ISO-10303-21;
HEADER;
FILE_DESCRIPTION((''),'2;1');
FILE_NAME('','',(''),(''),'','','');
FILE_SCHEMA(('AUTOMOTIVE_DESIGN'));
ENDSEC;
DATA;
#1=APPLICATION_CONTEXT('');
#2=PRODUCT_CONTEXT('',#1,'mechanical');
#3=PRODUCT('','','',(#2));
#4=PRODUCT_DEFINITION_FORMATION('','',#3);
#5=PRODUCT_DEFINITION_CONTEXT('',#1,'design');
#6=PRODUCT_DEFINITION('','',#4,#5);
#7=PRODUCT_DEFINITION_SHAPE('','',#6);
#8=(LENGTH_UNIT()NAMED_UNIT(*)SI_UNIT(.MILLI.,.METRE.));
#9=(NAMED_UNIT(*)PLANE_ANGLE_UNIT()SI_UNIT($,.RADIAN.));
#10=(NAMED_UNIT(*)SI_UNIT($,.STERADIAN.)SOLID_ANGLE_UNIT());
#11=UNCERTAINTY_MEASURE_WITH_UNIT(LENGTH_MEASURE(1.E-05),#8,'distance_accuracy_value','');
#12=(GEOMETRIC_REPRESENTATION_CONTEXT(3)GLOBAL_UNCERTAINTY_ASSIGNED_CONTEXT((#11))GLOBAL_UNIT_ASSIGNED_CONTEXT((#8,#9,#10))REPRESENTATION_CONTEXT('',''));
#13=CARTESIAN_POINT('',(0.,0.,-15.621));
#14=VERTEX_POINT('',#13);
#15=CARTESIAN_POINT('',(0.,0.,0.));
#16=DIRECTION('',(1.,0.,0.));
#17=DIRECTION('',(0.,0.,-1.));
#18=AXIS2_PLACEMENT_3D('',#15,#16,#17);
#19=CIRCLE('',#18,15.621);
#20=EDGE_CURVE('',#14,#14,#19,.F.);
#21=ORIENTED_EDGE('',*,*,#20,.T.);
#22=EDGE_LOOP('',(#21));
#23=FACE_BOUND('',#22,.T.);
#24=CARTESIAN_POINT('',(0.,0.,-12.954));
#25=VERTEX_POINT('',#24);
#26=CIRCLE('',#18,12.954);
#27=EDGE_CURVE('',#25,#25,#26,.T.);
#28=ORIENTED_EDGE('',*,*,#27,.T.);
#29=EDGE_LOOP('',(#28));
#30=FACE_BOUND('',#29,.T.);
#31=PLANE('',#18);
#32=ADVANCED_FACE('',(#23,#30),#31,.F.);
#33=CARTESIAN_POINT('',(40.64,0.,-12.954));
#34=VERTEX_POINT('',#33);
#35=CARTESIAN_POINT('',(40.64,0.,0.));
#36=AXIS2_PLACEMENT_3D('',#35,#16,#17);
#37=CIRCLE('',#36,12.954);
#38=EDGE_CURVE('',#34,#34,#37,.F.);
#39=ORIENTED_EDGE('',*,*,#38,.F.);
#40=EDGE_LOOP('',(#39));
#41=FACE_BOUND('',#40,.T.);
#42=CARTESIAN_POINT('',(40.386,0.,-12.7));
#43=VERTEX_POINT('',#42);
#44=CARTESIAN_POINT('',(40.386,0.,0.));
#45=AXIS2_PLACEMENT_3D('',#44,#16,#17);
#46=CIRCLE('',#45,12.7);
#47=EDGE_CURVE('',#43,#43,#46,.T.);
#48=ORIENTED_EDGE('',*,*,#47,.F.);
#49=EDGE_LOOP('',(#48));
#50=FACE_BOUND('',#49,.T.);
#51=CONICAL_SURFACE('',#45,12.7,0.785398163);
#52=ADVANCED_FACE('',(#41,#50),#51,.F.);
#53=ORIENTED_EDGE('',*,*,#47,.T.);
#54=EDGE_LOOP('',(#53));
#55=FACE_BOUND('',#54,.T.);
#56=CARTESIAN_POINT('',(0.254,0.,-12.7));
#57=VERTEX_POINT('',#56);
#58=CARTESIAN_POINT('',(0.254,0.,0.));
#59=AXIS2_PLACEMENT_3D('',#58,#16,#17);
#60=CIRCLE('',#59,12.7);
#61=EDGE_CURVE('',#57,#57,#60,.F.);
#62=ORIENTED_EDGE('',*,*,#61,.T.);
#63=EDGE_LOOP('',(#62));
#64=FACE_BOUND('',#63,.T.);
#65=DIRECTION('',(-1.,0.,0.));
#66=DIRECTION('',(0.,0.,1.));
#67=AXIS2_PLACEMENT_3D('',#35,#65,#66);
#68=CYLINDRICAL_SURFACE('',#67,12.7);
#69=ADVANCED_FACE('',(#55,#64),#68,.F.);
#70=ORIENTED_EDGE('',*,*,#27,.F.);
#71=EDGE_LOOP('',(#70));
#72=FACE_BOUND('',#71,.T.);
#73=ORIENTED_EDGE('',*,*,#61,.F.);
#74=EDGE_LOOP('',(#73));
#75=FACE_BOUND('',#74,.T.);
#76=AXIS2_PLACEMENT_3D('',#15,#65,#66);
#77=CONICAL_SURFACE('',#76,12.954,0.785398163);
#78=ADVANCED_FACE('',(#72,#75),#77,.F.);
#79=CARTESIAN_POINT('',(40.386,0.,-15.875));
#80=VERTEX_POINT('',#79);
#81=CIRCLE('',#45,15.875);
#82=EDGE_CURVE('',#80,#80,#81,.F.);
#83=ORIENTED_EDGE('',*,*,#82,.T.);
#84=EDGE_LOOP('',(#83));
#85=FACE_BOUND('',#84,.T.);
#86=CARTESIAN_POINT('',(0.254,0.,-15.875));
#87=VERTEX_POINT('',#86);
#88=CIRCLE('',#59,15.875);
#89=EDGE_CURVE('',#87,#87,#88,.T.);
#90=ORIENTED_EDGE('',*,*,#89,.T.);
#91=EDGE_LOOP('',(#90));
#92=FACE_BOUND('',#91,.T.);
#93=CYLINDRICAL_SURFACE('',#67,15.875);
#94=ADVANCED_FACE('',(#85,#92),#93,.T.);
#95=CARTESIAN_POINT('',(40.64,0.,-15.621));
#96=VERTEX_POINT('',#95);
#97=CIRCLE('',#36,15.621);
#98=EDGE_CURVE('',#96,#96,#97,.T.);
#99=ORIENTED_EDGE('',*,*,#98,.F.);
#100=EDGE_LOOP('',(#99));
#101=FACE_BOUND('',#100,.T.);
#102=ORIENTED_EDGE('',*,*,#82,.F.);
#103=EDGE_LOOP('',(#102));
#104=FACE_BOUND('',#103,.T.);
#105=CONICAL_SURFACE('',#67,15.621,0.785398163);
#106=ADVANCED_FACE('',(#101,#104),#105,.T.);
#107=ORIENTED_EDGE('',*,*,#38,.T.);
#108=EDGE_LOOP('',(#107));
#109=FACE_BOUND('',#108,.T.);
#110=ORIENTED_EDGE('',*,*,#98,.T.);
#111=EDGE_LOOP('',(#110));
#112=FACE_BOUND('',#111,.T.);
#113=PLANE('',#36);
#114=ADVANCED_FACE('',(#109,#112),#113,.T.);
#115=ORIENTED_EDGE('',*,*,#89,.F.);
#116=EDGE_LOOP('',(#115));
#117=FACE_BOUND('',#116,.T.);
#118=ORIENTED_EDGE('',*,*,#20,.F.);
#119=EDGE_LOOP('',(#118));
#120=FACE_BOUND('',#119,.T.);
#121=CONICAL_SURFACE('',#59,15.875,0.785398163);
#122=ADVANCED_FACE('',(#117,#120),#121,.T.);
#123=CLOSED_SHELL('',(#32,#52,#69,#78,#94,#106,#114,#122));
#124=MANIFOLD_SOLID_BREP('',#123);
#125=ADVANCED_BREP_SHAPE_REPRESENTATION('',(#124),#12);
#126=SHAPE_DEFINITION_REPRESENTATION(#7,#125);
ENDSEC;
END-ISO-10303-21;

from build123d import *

# Parameters (mm, degrees)
SKETCH1_R           = 15.875
SKETCH1_R_2         = 12.7
BOSS_EXTRUDE1_DEPTH = 40.64
CHAMFER1_SIZE       = 0.254


with BuildPart() as part:
    # Sketch1 → Boss-Extrude1 (new body)
    with BuildSketch(Plane(origin=(0, 0, 0), x_dir=(0, 0, -1), z_dir=(1, 0, 0))):
        Circle(SKETCH1_R)
        Circle(SKETCH1_R_2, mode=Mode.SUBTRACT)
    extrude(amount=BOSS_EXTRUDE1_DEPTH)

    # Chamfer1
    chamfer1_edges = [part.edges().sort_by_distance(p)[0] for p in [
        (0, 0, 15.875),
        (40.64, 0, 15.875),
        (0, 0, 12.7),
        (40.64, 0, 12.7),
    ]]
    chamfer(chamfer1_edges, length=CHAMFER1_SIZE)


solid = part.part
